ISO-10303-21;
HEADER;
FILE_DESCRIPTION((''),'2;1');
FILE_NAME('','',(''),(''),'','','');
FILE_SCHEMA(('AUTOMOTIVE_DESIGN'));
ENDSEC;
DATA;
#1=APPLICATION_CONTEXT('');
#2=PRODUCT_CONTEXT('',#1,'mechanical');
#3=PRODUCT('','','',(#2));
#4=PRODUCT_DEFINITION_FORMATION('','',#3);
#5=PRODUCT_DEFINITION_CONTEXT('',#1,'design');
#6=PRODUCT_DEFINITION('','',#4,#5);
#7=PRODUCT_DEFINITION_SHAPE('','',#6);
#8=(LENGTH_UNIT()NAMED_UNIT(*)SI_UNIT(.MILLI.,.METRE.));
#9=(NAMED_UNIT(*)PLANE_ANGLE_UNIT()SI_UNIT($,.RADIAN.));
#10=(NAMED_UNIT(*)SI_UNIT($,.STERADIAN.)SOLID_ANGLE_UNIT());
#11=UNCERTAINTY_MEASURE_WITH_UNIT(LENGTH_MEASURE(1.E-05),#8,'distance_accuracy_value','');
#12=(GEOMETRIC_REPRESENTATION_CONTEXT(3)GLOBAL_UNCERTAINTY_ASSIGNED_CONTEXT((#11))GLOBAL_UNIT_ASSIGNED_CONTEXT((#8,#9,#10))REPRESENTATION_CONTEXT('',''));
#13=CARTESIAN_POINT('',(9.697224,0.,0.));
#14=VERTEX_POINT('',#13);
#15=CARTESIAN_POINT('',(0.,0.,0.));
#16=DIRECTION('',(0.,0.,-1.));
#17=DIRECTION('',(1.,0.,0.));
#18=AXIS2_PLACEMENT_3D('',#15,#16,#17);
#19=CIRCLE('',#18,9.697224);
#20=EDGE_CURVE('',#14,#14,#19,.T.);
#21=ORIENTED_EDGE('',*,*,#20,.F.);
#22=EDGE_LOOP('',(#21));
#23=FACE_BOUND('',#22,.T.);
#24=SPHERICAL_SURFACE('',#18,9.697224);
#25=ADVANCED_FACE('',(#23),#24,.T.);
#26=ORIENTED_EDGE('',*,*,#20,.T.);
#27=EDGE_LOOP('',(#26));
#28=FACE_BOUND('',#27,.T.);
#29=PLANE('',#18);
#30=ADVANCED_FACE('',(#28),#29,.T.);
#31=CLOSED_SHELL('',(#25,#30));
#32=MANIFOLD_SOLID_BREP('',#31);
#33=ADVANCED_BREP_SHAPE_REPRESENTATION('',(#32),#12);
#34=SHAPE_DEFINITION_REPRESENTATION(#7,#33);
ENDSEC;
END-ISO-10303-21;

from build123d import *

# Parameters (mm, degrees)
REVOLVE1_ANGLE = 180


with BuildPart() as part:
    # Sketch1 → Revolve1 (revolve)
    with BuildSketch(Plane.XY):
        with BuildLine():
            Line((-9.697224365, 0), (9.697224365, 0))
            ThreePointArc((9.697224365, 0), (0, 9.697224365), (-9.697224365, 0))
        make_face()
    revolve(axis=Axis((-9.697224365, 0, 0), (1, 0, 0)), revolution_arc=REVOLVE1_ANGLE)


solid = part.part
